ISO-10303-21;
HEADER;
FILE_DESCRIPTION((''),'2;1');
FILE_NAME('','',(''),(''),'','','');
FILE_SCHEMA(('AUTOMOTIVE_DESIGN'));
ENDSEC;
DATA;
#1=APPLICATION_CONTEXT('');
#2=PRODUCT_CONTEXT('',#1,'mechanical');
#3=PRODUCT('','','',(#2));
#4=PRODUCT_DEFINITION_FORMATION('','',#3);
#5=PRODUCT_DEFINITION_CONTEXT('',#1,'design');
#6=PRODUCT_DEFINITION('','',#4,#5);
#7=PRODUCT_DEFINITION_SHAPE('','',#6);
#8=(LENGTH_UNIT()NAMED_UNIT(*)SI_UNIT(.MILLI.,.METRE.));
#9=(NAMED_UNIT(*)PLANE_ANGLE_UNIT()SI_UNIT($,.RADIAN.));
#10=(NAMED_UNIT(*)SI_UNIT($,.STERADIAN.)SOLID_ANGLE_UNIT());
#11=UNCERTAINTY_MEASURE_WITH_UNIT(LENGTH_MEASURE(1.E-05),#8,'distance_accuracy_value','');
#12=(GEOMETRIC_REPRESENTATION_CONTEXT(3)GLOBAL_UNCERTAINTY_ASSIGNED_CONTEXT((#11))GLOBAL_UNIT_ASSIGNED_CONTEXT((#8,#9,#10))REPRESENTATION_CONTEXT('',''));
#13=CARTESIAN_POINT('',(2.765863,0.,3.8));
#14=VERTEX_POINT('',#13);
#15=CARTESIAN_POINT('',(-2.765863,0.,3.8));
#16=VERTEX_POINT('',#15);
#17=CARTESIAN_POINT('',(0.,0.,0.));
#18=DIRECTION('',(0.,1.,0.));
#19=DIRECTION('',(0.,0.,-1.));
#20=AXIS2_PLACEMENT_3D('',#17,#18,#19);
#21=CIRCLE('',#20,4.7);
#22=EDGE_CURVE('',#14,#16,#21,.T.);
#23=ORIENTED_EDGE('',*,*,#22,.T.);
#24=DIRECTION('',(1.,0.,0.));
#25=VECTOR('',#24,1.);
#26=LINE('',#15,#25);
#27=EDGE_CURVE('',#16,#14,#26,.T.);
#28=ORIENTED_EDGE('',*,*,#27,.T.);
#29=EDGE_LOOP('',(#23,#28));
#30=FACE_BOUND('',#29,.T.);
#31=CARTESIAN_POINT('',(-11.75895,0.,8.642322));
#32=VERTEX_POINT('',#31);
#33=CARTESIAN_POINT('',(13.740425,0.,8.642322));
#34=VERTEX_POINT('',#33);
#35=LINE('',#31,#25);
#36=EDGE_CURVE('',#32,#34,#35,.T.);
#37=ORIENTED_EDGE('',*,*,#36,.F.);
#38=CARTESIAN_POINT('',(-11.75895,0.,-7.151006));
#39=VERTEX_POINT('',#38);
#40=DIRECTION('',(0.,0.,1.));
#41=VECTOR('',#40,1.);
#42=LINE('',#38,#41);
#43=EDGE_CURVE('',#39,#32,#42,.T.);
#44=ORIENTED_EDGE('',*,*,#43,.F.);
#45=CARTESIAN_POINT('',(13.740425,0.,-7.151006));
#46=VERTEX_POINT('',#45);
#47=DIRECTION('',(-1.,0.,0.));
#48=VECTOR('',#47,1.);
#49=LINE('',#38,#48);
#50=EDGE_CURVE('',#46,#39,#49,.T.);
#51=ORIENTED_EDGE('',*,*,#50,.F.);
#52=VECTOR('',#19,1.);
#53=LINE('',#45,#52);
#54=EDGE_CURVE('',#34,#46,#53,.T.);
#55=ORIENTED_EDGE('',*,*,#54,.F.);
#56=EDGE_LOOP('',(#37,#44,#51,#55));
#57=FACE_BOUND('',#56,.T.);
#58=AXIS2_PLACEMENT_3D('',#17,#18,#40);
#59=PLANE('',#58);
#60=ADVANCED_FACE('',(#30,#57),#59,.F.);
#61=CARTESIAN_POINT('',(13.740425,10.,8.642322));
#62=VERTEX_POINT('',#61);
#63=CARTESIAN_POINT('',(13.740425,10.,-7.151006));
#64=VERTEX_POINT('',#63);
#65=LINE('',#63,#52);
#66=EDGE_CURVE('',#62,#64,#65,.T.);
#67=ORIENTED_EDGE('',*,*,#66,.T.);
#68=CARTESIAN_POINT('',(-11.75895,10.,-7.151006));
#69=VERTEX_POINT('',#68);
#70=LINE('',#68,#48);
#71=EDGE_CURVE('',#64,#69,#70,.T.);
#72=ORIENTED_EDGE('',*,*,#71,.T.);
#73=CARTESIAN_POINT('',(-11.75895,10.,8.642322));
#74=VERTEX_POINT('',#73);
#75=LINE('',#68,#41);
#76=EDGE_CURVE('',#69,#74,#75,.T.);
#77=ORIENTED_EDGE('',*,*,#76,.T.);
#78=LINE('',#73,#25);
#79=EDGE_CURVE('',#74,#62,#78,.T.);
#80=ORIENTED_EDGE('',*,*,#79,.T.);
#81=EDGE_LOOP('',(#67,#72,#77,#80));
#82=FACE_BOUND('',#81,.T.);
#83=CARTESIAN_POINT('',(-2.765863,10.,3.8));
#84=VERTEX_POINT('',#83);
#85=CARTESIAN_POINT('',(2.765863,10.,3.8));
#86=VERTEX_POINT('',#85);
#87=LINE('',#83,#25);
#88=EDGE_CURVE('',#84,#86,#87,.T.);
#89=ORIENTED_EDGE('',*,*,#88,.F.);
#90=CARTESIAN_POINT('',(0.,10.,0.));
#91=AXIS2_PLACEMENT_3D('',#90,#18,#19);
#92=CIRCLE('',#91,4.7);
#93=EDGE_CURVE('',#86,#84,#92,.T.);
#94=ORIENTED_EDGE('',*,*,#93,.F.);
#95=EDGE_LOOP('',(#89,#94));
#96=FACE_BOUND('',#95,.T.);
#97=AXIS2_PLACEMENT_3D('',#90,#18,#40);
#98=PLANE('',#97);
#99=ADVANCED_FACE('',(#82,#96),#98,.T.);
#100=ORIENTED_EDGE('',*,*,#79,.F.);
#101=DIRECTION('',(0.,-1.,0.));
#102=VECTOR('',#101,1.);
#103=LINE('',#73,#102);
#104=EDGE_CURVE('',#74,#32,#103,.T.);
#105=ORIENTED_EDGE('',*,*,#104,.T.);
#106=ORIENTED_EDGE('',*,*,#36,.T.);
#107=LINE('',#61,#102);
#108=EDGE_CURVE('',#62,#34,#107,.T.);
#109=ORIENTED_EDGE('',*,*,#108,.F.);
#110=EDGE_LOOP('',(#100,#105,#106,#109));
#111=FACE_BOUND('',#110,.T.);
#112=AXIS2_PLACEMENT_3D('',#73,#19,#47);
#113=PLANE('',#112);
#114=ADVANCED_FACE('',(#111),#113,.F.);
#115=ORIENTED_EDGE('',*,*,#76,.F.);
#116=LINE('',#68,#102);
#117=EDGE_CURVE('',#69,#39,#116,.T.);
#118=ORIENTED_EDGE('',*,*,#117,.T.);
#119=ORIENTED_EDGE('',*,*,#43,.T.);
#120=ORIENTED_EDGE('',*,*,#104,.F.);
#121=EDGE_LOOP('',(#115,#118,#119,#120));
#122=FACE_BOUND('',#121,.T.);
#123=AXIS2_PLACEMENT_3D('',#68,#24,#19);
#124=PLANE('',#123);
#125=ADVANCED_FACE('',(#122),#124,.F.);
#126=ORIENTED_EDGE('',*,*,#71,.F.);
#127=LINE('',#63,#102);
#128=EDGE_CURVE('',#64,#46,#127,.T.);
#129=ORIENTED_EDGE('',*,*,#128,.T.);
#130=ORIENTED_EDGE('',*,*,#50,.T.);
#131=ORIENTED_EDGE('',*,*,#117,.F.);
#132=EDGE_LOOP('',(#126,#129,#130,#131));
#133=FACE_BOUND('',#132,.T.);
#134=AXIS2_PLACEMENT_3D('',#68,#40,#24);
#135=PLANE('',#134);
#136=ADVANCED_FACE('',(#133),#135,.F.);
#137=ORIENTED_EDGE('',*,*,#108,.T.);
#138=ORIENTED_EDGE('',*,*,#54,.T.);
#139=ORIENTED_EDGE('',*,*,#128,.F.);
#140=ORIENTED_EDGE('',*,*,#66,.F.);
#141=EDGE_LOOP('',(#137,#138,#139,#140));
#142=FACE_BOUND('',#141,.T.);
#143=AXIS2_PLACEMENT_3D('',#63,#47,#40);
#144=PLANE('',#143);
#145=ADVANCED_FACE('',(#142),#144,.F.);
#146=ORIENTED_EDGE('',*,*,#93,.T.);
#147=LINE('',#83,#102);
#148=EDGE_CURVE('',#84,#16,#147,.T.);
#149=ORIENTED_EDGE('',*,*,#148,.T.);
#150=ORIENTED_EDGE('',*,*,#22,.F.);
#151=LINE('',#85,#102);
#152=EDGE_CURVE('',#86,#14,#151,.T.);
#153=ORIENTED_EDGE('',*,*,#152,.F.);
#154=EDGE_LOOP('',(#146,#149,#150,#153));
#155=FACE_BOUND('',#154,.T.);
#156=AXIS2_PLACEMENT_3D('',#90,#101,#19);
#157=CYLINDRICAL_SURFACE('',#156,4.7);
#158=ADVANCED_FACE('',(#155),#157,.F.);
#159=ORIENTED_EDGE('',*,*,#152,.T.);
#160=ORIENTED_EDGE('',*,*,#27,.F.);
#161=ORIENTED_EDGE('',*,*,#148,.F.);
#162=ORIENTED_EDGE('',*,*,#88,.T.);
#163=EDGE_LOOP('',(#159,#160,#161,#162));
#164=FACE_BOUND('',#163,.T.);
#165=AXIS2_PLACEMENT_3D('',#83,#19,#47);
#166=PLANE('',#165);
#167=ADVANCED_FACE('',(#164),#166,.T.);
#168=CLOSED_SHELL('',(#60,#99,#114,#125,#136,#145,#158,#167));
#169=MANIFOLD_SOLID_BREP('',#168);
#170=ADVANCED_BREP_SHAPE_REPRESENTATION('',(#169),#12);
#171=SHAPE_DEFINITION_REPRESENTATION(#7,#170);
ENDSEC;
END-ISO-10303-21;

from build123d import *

# Parameters (mm, degrees)
SKETCH1_W           = 25.499374977
SKETCH1_H           = 15.79332804
BOSS_EXTRUDE1_DEPTH = 10


with BuildPart() as part:
    # Sketch1 → Boss-Extrude1 (new body)
    with BuildSketch(Plane(origin=(0, 0, 0), x_dir=(1, 0, 0), z_dir=(0, 1, 0))):
        with Locations((0.990737135, -0.745657883)):
            Rectangle(SKETCH1_W, SKETCH1_H)
        with BuildLine():
            Line((-2.765863337, -3.8), (2.765863337, -3.8))
            ThreePointArc((2.765863337, -3.8), (0, 4.7), (-2.765863337, -3.8))
        make_face(mode=Mode.SUBTRACT)
    extrude(amount=BOSS_EXTRUDE1_DEPTH)


solid = part.part
